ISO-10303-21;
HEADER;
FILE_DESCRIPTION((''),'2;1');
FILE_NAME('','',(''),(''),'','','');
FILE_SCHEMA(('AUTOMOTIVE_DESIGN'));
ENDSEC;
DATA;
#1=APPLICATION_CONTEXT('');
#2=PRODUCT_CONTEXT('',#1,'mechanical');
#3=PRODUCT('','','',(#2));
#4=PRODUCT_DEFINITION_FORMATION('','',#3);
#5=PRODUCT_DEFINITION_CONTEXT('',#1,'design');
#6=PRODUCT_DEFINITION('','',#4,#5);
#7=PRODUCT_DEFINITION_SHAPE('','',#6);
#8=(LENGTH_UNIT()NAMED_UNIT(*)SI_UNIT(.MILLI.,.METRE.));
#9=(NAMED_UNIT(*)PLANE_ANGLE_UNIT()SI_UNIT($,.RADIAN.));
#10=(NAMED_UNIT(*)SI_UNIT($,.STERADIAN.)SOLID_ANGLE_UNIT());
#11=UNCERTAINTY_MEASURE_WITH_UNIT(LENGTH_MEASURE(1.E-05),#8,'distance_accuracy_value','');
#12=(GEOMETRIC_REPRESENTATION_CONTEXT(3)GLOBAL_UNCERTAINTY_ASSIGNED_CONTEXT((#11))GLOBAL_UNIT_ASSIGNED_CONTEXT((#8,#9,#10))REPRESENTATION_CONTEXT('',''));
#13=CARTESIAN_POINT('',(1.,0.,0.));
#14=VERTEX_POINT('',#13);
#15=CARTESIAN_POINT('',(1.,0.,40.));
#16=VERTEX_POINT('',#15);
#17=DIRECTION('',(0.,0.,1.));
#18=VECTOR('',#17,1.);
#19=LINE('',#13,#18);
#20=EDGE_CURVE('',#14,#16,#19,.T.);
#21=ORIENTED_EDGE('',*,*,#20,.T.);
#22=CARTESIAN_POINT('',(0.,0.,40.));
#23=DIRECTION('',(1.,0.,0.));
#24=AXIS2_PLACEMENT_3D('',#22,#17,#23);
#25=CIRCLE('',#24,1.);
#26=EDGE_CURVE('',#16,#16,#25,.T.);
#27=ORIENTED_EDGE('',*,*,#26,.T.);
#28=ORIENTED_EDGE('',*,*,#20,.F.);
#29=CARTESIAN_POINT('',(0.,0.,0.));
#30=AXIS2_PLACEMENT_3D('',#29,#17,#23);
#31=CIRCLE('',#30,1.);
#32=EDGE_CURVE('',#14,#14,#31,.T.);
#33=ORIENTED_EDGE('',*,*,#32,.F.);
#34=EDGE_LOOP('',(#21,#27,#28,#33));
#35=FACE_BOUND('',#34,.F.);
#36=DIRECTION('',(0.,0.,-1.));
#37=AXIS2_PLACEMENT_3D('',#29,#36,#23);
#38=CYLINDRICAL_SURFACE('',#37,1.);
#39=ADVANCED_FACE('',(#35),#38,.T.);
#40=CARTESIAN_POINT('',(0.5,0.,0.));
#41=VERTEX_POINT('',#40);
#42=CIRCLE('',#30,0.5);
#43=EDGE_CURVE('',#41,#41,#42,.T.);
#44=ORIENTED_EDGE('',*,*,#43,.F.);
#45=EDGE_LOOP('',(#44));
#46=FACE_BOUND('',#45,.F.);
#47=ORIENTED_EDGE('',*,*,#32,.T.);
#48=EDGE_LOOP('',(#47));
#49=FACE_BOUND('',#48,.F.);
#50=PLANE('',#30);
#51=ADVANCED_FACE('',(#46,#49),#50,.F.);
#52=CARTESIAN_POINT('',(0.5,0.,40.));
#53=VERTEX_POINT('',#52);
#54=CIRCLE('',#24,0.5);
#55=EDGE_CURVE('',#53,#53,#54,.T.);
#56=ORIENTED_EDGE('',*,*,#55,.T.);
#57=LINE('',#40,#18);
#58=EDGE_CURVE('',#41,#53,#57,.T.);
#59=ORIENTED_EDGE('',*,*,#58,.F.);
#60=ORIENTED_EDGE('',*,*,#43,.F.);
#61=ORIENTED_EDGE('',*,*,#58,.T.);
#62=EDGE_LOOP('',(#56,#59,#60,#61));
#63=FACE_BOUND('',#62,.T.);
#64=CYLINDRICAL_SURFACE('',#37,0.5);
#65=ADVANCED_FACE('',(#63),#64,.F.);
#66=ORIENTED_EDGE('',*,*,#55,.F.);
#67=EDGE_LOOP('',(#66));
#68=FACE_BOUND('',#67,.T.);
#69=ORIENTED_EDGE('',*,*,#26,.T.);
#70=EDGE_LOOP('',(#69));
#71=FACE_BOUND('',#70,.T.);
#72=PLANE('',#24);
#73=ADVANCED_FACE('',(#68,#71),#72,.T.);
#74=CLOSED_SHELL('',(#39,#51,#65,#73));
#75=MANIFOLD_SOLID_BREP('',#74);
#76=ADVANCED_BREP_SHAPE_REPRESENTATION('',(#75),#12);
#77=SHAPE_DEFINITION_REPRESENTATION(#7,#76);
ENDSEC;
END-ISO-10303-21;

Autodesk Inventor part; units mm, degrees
ref_plane "YZ Plane" through (0, 0, 0) normal (1, 0, 0) x (0, 1, 0)
ref_plane "XZ Plane" through (0, 0, 0) normal (0, 1, 0) x (-1, 0, 0)
ref_plane "XY Plane" through (0, 0, 0) normal (0, 0, 1) x (1, 0, 0)
sketch "Sketch1" plane through (0, 0, 0) normal (0, 0, 1) x (1, 0, 0)
  circle A0 centre (0, 0) radius 1
  circle A1 centre (0, 0) radius 0.5
  dimension "d0" = 2
  dimension "d1" = 1
extrude "Extrusion1" add sketch "Sketch1" along normal blind 40
properties part number "3d_LM - Tubo 1x1-3"
